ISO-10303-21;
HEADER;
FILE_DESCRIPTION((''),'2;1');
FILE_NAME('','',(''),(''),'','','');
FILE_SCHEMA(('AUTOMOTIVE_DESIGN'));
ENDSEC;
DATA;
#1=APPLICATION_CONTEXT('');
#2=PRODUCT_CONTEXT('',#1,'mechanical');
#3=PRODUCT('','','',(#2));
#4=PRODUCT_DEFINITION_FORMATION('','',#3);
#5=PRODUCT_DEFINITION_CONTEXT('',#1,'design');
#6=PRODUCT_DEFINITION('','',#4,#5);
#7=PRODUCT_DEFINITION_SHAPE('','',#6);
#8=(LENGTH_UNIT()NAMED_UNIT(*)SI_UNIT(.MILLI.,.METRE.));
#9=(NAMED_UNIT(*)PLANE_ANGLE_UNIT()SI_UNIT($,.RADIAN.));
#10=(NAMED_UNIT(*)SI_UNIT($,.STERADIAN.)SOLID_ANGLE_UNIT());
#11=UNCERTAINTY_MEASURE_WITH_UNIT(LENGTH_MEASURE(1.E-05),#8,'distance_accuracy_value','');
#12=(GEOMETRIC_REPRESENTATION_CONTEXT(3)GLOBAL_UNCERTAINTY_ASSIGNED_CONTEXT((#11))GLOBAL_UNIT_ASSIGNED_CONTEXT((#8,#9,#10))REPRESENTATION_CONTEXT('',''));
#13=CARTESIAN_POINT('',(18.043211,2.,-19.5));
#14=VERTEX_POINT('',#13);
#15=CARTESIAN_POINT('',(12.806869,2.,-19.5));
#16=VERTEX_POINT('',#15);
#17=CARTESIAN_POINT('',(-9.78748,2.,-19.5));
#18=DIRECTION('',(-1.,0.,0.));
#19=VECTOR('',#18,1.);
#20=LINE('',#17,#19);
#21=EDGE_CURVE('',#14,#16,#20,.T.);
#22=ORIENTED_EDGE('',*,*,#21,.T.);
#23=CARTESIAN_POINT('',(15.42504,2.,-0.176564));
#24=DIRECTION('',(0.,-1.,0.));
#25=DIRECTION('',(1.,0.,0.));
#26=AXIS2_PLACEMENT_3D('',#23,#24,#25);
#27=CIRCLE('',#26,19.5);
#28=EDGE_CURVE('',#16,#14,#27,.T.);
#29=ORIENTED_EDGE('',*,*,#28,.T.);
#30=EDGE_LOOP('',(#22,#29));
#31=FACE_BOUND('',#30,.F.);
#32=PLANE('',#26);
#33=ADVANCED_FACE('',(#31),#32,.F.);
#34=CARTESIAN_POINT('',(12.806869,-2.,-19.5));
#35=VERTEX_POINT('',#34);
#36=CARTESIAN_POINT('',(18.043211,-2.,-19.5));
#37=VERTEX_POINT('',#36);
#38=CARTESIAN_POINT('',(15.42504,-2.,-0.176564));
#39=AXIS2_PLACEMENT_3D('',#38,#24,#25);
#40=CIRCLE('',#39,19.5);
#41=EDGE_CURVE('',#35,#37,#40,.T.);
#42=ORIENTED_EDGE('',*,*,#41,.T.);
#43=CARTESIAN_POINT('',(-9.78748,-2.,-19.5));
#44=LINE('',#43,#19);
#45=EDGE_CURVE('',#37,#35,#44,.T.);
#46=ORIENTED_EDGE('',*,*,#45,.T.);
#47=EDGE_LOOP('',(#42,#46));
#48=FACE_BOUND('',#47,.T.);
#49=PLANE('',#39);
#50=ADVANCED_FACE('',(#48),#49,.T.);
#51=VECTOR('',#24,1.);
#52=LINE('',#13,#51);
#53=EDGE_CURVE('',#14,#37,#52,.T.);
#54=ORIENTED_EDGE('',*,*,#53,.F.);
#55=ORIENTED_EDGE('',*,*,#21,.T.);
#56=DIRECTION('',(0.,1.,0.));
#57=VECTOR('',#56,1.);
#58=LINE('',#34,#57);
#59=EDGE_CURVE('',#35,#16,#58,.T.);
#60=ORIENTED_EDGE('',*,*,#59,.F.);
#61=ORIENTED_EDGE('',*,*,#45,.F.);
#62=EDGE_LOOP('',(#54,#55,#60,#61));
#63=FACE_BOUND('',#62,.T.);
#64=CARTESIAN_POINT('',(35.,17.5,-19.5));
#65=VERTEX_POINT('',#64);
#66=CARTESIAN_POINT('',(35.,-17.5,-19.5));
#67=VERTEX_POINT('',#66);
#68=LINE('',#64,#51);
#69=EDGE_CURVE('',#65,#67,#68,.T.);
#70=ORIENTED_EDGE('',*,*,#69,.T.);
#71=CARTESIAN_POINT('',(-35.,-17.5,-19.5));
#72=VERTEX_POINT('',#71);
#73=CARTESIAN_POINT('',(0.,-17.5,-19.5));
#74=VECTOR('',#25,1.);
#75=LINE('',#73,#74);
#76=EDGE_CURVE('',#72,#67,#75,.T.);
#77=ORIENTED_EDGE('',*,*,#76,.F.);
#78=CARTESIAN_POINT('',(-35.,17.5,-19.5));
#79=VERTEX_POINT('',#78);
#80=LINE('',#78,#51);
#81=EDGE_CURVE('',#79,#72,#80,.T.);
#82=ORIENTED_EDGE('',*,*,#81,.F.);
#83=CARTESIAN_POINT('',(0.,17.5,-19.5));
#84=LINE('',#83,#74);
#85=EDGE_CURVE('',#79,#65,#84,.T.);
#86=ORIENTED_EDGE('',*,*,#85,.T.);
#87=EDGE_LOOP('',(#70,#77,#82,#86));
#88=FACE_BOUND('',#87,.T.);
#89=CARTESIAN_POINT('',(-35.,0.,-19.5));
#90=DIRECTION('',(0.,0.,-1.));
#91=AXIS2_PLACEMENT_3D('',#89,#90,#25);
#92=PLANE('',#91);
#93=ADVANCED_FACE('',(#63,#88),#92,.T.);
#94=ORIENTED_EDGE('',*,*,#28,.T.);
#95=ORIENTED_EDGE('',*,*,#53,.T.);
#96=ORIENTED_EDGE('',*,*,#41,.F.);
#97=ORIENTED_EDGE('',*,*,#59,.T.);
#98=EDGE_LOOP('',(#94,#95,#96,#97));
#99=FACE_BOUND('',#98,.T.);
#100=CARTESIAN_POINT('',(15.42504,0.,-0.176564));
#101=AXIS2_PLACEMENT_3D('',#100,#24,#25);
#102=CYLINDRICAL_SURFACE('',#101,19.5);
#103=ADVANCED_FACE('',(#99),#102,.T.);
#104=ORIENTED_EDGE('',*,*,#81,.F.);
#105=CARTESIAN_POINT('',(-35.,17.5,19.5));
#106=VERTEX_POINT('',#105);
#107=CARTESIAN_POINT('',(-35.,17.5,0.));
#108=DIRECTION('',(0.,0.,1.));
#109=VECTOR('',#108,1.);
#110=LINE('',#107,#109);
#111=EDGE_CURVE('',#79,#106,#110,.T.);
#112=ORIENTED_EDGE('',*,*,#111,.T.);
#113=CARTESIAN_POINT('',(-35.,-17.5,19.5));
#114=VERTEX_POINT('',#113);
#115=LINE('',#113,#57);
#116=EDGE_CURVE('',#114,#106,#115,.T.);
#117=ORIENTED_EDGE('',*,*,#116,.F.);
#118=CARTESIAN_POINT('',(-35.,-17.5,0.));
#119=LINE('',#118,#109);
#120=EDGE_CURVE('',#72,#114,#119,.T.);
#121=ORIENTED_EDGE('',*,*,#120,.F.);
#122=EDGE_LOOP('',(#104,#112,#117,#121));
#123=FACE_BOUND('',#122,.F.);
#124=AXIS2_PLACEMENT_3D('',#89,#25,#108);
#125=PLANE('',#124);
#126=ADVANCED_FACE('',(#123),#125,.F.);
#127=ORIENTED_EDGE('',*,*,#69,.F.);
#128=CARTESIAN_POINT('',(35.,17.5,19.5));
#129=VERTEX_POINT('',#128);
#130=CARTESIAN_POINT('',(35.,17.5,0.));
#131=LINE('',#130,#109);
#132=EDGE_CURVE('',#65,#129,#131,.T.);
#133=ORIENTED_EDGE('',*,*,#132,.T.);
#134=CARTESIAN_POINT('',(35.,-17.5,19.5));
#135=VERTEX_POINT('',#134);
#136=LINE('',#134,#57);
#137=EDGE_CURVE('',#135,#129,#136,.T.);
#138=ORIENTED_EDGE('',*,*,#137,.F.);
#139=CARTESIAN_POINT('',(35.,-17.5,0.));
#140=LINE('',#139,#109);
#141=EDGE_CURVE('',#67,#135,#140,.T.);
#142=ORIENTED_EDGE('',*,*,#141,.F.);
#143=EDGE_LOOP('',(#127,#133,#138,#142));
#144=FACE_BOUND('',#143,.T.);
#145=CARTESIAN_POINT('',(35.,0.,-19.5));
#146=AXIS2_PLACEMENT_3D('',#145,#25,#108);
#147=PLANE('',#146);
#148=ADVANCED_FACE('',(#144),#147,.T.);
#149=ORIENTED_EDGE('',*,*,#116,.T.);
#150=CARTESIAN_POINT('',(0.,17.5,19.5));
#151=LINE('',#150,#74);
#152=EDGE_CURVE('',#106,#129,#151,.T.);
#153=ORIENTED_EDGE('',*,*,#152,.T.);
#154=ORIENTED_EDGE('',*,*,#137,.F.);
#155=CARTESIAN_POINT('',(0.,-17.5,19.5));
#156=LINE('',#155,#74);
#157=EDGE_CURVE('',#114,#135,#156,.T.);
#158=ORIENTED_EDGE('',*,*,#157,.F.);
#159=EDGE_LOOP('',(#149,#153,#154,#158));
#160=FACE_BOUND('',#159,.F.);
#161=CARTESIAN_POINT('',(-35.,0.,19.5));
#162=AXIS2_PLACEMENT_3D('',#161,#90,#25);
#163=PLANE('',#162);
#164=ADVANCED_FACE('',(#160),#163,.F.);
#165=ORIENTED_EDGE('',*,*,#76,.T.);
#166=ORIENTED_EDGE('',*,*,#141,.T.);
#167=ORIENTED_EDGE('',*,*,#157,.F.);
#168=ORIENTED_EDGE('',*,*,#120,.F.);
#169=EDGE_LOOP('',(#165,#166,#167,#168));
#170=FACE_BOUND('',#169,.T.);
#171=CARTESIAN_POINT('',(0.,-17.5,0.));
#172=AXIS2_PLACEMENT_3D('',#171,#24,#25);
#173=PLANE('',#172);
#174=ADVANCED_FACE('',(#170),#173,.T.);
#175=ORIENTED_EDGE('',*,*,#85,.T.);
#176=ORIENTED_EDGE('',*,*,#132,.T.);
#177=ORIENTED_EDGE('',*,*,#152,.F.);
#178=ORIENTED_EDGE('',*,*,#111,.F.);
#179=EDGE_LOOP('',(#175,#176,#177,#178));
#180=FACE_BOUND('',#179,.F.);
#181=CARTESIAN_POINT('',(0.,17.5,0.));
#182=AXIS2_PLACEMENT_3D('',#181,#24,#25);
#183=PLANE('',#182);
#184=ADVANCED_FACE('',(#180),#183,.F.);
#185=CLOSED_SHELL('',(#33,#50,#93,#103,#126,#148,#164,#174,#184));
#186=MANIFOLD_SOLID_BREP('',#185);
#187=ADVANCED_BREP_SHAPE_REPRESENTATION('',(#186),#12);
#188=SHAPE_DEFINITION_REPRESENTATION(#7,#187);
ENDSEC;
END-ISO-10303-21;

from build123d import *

# Parameters (mm, degrees)
F0_W          = 70
F0_H          = 39
F1_DEPTH      = 17.5
F2_R          = 19.5
F3_DEPTH      = 2
F3_DEPTH_BACK = 2


with BuildPart() as f1:
    # F0 (on Front) → F1 (new body, symmetric)
    with BuildSketch(Plane.XZ):
        Rectangle(F0_W, F0_H)
    extrude(amount=F1_DEPTH, both=True)

    # F2 (on Front) → F3 (join, two sides)
    with BuildSketch(Plane.XZ) as f3_sk:
        with Locations((15.42504, -0.176564)):
            Circle(F2_R)
    extrude(amount=F3_DEPTH)
    extrude(f3_sk.sketch, amount=-F3_DEPTH_BACK)


solid = f1.part
